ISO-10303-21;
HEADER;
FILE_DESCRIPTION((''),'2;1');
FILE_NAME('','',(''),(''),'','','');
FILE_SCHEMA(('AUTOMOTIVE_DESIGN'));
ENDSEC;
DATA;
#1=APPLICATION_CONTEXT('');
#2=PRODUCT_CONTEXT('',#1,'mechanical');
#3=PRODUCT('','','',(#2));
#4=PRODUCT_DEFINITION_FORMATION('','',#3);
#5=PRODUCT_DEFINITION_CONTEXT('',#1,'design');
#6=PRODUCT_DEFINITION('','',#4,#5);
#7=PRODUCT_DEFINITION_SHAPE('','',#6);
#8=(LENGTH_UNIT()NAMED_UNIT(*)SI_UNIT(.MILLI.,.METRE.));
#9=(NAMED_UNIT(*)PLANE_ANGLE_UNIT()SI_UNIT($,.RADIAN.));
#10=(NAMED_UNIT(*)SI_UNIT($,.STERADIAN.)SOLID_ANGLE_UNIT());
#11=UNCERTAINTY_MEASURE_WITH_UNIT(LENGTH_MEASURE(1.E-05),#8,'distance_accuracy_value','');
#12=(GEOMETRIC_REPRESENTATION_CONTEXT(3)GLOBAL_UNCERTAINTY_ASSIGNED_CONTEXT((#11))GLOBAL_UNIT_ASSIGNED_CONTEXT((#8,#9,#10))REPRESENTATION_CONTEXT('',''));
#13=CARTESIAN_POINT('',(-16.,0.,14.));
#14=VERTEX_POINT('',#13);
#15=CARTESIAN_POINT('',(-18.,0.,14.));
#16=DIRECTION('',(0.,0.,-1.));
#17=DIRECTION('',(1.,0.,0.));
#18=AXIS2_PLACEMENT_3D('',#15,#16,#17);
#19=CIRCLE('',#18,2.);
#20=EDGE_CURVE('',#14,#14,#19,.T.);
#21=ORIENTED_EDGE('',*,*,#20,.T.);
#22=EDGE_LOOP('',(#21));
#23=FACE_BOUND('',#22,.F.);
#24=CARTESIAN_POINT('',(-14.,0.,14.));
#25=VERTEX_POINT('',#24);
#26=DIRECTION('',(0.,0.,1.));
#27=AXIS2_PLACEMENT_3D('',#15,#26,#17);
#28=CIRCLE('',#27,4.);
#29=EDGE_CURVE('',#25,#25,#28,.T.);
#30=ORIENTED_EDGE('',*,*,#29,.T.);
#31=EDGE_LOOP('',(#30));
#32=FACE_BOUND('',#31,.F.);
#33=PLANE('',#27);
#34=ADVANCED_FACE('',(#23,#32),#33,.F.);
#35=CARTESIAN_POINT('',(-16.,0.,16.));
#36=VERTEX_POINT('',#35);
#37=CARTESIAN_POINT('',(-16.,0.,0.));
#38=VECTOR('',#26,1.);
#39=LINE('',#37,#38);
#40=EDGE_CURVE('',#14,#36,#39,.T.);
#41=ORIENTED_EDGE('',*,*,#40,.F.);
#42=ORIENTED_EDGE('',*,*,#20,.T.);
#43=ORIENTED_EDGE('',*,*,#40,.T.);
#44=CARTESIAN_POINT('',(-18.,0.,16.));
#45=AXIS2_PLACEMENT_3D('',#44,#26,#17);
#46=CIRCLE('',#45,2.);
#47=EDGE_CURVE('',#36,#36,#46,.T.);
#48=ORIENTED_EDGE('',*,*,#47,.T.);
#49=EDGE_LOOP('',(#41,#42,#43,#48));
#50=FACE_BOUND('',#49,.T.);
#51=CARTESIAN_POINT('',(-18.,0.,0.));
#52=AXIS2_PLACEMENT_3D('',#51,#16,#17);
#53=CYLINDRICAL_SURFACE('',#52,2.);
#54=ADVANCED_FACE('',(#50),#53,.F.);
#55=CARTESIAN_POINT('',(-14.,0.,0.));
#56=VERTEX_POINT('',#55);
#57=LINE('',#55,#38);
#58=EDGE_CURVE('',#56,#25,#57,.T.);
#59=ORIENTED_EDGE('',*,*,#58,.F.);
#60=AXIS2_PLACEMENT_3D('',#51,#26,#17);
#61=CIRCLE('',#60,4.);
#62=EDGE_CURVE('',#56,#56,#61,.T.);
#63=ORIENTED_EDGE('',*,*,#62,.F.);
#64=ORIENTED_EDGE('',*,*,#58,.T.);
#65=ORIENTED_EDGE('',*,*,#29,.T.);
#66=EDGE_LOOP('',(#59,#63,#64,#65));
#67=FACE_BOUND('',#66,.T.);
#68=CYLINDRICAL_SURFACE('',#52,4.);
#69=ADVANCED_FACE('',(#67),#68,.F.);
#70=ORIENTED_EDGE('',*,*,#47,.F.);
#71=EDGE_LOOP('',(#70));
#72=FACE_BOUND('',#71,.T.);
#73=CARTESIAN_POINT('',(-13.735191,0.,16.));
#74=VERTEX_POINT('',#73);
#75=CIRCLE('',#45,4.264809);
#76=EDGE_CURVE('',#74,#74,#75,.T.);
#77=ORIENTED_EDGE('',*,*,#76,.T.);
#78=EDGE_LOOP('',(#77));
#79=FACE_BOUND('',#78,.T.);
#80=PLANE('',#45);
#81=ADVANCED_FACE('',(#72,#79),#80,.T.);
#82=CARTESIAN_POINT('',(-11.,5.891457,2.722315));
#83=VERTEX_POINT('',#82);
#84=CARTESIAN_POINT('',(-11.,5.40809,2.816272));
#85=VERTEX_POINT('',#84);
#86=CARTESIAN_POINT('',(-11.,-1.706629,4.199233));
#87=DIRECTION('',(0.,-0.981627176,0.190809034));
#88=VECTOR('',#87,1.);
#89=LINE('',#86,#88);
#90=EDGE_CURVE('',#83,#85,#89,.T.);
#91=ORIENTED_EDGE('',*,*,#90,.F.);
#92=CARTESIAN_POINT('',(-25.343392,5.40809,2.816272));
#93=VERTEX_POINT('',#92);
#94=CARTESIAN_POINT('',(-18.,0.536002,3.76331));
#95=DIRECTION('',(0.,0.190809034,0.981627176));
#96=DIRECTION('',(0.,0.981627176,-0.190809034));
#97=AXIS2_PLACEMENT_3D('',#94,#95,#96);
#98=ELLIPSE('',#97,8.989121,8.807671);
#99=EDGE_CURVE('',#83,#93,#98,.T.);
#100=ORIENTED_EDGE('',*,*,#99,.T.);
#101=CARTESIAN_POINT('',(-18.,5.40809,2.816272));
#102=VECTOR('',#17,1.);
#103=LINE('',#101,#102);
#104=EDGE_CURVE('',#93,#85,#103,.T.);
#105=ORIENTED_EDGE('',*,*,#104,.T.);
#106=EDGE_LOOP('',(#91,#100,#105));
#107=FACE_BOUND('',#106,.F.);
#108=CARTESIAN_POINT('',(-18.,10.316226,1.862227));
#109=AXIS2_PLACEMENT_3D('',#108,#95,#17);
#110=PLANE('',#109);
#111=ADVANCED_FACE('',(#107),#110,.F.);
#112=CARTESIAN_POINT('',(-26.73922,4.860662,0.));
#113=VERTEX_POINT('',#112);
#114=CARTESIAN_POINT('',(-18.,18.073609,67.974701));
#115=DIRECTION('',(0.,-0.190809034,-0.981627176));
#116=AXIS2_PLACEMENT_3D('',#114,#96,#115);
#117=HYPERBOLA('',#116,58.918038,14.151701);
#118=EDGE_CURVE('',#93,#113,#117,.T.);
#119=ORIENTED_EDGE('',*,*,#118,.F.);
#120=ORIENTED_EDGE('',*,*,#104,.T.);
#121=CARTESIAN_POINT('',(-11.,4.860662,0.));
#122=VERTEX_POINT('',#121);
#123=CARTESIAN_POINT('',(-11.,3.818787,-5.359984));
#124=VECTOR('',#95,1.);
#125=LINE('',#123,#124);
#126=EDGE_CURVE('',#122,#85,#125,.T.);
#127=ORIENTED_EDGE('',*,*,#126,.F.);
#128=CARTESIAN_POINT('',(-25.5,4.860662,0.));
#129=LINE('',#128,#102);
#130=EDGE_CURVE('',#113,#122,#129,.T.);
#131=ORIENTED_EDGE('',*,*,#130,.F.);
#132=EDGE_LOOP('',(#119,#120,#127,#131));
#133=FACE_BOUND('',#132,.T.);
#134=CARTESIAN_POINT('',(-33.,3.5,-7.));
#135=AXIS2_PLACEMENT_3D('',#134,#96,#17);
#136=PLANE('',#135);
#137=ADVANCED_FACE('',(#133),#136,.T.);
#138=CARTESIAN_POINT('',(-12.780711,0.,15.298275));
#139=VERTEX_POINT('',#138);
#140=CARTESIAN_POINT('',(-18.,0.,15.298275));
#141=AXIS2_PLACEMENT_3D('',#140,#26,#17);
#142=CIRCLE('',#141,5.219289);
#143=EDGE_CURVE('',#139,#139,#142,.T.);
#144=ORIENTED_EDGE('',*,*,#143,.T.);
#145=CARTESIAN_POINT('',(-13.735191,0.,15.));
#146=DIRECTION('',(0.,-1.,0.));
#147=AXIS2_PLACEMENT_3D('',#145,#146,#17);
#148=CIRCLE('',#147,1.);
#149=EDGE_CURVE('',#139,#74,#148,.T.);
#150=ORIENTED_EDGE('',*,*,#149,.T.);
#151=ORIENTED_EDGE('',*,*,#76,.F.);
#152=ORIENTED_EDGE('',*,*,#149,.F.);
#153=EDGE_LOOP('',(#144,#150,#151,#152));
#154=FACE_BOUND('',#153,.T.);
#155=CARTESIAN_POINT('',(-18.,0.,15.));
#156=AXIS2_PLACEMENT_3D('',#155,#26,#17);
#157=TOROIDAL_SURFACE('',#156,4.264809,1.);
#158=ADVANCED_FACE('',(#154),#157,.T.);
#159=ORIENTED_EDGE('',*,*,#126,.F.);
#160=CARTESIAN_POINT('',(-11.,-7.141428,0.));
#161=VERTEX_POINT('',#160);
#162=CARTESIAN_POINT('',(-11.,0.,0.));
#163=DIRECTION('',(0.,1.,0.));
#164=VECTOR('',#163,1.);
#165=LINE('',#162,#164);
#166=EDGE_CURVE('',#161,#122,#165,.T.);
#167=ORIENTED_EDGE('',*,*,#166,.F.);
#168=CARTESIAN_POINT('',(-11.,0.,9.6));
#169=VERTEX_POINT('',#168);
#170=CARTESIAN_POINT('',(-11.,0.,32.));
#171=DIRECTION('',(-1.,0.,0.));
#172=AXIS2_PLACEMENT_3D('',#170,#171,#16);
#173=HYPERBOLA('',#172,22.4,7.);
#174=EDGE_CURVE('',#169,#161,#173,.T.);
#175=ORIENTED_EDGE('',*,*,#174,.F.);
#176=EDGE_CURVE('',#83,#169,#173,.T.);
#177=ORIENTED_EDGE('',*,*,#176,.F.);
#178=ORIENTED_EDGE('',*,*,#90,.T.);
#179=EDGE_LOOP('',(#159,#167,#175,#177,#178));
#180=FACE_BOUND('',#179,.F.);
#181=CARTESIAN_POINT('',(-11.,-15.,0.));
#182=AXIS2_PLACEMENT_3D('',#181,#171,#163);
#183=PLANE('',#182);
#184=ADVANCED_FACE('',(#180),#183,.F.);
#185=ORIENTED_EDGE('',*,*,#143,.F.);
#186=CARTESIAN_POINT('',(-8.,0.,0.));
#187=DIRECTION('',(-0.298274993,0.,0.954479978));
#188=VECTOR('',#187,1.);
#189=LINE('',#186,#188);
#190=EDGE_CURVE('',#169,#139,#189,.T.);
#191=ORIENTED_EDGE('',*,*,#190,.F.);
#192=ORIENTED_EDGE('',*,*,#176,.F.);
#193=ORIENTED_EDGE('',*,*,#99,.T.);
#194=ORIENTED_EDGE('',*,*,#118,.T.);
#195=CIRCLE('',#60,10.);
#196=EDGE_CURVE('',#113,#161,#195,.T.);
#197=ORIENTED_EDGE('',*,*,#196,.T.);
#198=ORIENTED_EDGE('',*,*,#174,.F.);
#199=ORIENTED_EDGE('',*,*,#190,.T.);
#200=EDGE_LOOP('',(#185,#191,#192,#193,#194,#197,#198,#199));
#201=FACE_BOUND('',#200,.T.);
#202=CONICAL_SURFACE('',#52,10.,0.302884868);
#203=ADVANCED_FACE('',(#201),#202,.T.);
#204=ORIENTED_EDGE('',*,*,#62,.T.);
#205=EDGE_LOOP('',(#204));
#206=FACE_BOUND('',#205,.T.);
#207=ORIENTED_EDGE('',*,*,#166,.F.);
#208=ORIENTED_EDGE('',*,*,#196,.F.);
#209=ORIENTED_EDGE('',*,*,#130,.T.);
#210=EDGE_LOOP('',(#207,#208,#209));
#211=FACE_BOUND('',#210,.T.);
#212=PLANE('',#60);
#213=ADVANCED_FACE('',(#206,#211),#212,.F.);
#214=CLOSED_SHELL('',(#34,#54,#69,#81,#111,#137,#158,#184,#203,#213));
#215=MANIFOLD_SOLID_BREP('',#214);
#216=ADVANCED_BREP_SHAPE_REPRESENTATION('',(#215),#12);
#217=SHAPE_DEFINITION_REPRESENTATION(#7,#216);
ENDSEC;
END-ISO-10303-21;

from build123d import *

# Parameters (mm, degrees)
CYLINDER003_R     = 2
CYLINDER003_DEPTH = 16
CYLINDER004_R     = 4
CYLINDER004_DEPTH = 14
BOX001_W          = 30
BOX001_H          = 10
BOX001_DEPTH      = 10
FILLET002_R       = 1
BOX002_W          = 10
BOX002_H          = 30
BOX002_DEPTH      = 20


with BuildPart() as part:
    # Cone → Cone (revolve)
    with BuildSketch(Plane.XZ):
        Polygon((0, 0), (10, 0), (5, 16), (0, 16), align=None)
    revolve(axis=Axis((0, 0, 0), (0, 0, 1)))

    # Cylinder003 → Cylinder003 (cut)
    with BuildSketch(Plane.XY):
        Circle(CYLINDER003_R)
    extrude(amount=CYLINDER003_DEPTH, mode=Mode.SUBTRACT)

    # Cylinder004 → Cylinder004 (cut)
    with BuildSketch(Plane.XY):
        Circle(CYLINDER004_R)
    extrude(amount=CYLINDER004_DEPTH, mode=Mode.SUBTRACT)

    # Box001 → Box001 (cut)
    with BuildSketch(Plane(origin=(-15, 3.5, -7), x_dir=(1, 0, 0), z_dir=(0, 0.190809, 0.981627))):
        with Locations((15, 5)):
            Rectangle(BOX001_W, BOX001_H)
    extrude(amount=BOX001_DEPTH, mode=Mode.SUBTRACT)

    # Fillet002
    fillet002_edges = [part.edges().sort_by_distance(p)[0] for p in [
        (-5, 0, 16),
    ]]
    fillet(fillet002_edges, radius=FILLET002_R)

    # Box002 → Box002 (cut)
    with BuildSketch(Plane(origin=(7, -15, 0), x_dir=(1, 0, 0), z_dir=(0, 0, 1))):
        with Locations((5, 15)):
            Rectangle(BOX002_W, BOX002_H)
    extrude(amount=BOX002_DEPTH, mode=Mode.SUBTRACT)


with BuildPart() as part_1:
    # Body001 placement: moved
    add(part.part.moved(Location((-18, 0, 0))))


solid = part_1.part
